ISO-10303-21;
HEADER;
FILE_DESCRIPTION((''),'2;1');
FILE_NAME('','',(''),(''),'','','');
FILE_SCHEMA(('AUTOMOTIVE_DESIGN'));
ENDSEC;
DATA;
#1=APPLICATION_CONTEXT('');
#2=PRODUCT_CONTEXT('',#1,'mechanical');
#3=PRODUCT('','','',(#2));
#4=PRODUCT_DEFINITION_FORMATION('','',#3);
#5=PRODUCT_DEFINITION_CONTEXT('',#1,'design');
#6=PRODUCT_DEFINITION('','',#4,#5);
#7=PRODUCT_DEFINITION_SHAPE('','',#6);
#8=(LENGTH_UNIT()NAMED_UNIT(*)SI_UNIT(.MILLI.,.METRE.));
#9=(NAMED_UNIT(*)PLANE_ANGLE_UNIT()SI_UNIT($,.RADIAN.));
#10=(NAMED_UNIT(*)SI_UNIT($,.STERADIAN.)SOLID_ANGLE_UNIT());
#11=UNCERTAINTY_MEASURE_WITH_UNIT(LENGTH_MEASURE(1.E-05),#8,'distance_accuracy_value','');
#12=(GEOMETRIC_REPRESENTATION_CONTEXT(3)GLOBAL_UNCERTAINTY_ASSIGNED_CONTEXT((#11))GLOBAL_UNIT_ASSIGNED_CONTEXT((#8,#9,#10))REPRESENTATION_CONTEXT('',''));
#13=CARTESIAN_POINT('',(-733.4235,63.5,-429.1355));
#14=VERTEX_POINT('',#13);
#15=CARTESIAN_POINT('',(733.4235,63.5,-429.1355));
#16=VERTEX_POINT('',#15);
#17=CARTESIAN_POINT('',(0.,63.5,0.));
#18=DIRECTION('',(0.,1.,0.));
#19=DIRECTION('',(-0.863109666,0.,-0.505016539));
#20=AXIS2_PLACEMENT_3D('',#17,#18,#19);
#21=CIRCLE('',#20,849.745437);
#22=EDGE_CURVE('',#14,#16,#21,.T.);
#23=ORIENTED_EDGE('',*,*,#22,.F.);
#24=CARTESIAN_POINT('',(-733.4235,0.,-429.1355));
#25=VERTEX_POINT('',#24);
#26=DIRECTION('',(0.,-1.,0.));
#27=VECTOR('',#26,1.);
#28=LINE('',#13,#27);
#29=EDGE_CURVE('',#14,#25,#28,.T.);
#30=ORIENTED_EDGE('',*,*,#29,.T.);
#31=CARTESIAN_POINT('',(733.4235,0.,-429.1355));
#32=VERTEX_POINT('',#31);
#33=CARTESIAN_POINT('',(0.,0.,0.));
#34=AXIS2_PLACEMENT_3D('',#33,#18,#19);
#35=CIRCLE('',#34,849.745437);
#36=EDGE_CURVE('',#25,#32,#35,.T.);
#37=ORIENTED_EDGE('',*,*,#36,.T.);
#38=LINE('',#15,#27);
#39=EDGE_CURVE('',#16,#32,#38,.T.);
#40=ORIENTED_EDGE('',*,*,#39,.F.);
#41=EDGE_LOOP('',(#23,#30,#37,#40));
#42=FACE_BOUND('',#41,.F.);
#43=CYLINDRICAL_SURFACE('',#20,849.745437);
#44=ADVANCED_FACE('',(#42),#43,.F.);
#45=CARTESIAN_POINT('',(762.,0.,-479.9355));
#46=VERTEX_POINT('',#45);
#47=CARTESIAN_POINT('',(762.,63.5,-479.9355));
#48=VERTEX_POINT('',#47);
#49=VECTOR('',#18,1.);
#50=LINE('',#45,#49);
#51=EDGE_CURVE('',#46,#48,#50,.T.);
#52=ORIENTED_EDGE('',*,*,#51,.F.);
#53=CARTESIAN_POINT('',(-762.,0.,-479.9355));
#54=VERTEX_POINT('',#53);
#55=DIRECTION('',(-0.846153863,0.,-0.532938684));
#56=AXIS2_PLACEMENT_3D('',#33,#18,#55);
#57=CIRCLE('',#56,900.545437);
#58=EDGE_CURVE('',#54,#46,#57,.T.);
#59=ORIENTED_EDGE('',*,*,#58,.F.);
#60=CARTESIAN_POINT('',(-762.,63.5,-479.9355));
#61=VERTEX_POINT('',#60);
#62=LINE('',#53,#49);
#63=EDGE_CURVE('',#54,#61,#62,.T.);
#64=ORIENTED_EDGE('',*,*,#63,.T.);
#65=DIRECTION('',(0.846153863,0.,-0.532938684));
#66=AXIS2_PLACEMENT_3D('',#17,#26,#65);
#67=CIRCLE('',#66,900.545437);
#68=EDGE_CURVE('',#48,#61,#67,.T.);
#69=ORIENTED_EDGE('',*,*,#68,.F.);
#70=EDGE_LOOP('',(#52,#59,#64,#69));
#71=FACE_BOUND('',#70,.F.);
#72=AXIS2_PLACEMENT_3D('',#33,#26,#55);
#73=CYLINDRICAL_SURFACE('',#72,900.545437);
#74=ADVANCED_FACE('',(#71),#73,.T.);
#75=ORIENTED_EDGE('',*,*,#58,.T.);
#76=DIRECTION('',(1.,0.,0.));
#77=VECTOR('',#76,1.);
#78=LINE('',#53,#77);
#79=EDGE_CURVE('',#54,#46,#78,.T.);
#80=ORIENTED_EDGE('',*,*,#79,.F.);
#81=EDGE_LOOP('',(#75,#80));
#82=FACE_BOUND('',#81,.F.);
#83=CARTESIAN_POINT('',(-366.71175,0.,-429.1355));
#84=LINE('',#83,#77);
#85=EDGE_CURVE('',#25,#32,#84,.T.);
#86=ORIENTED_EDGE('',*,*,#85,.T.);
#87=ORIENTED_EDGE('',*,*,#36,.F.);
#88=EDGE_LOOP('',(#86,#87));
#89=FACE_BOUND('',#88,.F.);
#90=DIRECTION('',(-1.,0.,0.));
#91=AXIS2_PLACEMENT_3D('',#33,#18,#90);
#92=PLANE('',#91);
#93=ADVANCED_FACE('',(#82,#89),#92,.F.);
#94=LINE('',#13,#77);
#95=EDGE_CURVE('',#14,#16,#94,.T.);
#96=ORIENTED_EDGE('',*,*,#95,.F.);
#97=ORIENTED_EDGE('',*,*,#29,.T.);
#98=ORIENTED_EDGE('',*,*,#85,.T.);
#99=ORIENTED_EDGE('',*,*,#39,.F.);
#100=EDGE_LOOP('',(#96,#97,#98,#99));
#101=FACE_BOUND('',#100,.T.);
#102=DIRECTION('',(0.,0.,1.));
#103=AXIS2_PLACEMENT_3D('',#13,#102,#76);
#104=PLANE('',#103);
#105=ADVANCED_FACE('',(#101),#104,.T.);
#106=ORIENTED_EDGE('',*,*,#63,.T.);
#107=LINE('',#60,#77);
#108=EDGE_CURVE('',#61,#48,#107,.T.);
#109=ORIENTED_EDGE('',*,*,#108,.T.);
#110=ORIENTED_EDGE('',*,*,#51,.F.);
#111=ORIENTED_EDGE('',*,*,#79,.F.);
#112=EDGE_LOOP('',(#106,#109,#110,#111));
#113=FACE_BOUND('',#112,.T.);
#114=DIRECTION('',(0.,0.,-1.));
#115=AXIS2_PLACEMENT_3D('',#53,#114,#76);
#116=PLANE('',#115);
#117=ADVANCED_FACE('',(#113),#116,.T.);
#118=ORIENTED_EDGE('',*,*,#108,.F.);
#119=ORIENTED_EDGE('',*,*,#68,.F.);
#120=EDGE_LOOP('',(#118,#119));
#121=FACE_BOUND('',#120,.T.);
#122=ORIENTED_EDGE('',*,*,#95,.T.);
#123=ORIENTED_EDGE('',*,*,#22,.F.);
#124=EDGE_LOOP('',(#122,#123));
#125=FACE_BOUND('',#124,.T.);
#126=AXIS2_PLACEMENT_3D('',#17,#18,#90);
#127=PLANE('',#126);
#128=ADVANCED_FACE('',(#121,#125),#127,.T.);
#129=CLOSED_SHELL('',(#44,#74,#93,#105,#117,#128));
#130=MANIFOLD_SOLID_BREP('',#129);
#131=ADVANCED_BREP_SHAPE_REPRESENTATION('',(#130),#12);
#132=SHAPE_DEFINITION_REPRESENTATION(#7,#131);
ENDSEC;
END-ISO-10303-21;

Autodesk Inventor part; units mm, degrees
ref_plane "YZ Plane" through (0, 0, 0) normal (1, 0, 0) x (0, 1, 0)
ref_plane "XZ Plane" through (0, 0, 0) normal (0, 1, 0) x (-1, 0, 0)
ref_plane "XY Plane" through (0, 0, 0) normal (0, 0, 1) x (1, 0, 0)
sketch "Sketch2" plane through (0, 0, 0) normal (0, 1, 0) x (-1, 0, 0)
  arc A0 (762, -479.9355) -> (-762, -479.9355) centre (0, 0) ccw
  line L0 (900.5455, 0) -> (762, 0)
  line L1 (762, -479.9355) -> (-762, -479.9355)
  dimension "d8" = 1524
extrude "Extrusion1" add sketch "Sketch2" along normal blind 63.5
sketch "Sketch9" plane through (0, 63.5, 0) normal (0, 1, 0) x (1, 0, 0)
  arc A0 (-762, 479.9355) -> (762, 479.9355) centre (0, 0) ccw
  line L0 (762, 479.9355) -> (-762, 479.9355) projected
  line L1 (-762, 479.9355) -> (762, 479.9355)
  arc A1 (-733.4235, 429.1355) -> (733.4235, 429.1355) centre (0, 0) ccw
  line L2 (-733.4235, 429.1355) -> (733.4235, 429.1355)
  dimension "d42" = 50.8
extrude "Extrusion10" cut sketch "Sketch9" against normal blind 76.2 contours L2 A1
properties part number "NestTop-ver2-1111-2021"
